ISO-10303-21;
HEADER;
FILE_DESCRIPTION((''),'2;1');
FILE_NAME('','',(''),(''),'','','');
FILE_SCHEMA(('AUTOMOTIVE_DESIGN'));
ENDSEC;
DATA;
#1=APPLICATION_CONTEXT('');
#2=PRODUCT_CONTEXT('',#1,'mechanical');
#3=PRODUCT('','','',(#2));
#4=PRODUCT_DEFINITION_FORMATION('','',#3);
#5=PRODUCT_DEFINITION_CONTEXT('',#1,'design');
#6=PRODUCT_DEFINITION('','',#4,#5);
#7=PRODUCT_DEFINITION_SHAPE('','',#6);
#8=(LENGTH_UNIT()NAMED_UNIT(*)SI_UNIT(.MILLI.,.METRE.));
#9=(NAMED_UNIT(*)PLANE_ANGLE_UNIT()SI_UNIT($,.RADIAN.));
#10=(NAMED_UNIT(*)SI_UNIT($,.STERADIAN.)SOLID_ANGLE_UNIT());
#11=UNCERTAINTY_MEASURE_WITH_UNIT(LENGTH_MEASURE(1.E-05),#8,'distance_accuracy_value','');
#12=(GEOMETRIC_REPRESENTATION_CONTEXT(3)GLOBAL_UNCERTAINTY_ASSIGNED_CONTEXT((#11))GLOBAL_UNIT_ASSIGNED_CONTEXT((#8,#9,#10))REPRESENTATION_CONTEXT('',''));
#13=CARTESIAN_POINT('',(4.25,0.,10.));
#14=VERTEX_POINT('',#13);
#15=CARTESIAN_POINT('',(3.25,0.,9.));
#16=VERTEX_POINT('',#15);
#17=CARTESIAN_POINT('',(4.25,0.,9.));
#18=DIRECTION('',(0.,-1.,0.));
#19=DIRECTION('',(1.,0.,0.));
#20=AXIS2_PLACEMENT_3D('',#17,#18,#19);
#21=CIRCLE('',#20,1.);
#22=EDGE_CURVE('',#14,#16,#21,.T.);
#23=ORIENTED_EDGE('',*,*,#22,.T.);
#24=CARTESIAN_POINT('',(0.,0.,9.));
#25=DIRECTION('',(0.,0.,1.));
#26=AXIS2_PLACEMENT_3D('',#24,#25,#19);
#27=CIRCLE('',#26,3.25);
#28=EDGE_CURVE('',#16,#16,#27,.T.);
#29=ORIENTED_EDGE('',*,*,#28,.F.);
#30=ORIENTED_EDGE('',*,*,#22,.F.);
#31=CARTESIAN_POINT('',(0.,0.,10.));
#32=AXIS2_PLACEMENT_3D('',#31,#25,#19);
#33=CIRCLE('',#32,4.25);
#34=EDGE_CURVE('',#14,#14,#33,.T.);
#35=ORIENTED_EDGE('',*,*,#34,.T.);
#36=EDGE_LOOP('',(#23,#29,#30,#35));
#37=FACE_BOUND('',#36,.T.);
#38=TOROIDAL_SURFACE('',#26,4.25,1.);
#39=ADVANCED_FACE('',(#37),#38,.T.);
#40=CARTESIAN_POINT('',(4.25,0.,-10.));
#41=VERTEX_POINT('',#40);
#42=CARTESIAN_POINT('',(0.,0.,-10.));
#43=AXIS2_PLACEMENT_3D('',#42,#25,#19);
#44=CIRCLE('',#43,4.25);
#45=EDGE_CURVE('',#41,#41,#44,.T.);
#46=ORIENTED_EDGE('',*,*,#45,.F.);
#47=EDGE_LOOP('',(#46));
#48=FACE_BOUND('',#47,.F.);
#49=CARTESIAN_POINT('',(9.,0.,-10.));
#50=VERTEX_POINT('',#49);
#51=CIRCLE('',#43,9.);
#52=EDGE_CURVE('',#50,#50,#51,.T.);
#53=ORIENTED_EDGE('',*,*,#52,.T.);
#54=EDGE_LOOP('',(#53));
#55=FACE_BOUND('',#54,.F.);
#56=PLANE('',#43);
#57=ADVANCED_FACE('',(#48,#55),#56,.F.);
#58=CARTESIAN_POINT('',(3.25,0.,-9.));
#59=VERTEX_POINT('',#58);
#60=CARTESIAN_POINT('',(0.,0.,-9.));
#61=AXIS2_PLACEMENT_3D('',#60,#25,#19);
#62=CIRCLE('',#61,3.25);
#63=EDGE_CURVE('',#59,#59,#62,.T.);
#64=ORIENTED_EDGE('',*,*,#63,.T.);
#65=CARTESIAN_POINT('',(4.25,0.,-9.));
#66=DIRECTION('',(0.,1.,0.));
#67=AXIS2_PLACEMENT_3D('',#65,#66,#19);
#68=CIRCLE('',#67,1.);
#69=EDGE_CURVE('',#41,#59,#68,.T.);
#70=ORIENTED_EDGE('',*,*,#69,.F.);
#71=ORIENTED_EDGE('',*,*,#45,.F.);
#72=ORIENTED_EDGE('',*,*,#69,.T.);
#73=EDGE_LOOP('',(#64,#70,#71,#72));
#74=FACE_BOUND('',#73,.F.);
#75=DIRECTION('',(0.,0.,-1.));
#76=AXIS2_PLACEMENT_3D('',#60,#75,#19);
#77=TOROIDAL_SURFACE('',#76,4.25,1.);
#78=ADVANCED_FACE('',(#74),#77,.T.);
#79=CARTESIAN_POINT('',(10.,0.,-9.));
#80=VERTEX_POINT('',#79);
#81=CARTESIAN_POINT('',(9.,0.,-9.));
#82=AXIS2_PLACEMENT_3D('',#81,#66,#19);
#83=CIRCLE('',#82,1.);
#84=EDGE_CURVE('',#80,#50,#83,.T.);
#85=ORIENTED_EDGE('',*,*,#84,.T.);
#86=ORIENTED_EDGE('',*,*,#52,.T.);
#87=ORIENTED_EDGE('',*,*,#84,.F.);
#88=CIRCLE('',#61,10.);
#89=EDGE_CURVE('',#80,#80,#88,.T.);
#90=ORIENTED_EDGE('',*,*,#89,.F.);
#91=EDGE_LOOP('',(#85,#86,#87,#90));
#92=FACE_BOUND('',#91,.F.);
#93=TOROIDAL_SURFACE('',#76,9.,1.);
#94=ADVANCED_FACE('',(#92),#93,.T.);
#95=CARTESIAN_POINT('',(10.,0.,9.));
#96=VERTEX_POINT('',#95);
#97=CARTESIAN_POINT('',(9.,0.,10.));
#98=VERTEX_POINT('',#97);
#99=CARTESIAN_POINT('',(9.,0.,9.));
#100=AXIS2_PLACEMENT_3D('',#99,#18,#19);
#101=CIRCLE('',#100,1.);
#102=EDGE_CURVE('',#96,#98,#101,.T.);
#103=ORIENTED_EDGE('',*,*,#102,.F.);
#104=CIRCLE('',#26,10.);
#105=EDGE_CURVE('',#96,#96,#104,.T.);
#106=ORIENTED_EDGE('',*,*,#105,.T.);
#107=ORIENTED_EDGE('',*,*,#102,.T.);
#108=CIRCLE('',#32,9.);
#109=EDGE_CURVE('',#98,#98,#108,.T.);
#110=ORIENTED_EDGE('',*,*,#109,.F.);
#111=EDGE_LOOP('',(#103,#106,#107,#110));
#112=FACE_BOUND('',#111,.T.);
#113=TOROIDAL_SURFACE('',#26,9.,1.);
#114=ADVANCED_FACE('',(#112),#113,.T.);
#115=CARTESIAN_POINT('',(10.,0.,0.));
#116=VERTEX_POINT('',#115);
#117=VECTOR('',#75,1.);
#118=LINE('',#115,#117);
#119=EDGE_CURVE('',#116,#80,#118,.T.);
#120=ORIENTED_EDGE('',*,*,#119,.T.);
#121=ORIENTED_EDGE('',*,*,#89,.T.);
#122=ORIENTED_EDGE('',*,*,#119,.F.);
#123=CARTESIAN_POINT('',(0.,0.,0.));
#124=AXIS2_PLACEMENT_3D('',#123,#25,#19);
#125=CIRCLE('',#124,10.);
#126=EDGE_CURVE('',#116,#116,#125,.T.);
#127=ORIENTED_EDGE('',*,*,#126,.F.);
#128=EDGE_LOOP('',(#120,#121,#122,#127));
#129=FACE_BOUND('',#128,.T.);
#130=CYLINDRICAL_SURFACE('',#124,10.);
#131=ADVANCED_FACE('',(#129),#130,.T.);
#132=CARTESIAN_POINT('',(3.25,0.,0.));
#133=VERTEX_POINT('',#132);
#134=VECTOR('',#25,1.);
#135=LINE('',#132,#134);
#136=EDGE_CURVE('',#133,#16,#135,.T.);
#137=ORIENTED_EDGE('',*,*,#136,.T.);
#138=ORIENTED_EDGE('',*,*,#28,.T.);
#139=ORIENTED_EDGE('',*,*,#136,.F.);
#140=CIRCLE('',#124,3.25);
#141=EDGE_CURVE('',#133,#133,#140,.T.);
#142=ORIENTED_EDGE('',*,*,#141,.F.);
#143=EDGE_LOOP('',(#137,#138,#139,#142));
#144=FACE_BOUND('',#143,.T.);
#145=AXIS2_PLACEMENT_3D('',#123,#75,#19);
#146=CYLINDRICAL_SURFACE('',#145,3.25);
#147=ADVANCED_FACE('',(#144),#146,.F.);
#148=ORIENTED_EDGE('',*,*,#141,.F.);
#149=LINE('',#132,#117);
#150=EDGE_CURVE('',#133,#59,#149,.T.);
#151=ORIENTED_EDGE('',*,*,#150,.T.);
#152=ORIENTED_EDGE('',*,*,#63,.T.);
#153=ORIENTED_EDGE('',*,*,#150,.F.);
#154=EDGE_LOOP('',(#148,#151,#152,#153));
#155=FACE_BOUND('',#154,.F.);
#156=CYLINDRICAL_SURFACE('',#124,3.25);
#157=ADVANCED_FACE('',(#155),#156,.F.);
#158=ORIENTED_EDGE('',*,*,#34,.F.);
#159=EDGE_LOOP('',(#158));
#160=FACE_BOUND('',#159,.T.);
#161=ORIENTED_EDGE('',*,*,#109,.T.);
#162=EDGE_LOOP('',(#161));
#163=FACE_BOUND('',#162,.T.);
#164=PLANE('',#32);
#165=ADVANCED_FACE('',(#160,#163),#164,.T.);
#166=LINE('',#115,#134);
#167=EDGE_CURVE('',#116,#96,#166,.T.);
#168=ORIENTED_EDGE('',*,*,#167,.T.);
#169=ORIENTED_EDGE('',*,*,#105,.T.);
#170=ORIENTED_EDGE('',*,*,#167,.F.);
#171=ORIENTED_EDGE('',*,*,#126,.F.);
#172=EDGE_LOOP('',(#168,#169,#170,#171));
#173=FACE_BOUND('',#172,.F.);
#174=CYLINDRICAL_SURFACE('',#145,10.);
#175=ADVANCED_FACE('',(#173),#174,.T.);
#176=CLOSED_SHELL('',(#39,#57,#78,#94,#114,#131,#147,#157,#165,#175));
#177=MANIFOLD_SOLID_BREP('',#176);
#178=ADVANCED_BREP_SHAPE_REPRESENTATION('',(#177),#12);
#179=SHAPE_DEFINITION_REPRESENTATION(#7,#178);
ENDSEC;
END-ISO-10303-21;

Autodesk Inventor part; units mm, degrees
ref_plane "YZ Plane" through (0, 0, 0) normal (1, 0, 0) x (0, 1, 0)
ref_plane "XZ Plane" through (0, 0, 0) normal (0, 1, 0) x (-1, 0, 0)
ref_plane "XY Plane" through (0, 0, 0) normal (0, 0, 1) x (1, 0, 0)
sketch "Sketch1" plane through (0, 0, 0) normal (0, 0, 1) x (1, 0, 0)
  circle A0 centre (0, 0) radius 10
  circle A1 centre (0, 0) radius 3.25
  dimension "d0" = 20
  dimension "d1" = 6.5
extrude "Extrusion1" add sketch "Sketch1" along normal mid plane 20
fillet "Fillet1" radius 1 4 edges at (-10, 0, 10) (-3.25, 0, 10) (-3.25, 0, -10) (-10, 0, -10)
properties part number "rubber" material "Rubber"
